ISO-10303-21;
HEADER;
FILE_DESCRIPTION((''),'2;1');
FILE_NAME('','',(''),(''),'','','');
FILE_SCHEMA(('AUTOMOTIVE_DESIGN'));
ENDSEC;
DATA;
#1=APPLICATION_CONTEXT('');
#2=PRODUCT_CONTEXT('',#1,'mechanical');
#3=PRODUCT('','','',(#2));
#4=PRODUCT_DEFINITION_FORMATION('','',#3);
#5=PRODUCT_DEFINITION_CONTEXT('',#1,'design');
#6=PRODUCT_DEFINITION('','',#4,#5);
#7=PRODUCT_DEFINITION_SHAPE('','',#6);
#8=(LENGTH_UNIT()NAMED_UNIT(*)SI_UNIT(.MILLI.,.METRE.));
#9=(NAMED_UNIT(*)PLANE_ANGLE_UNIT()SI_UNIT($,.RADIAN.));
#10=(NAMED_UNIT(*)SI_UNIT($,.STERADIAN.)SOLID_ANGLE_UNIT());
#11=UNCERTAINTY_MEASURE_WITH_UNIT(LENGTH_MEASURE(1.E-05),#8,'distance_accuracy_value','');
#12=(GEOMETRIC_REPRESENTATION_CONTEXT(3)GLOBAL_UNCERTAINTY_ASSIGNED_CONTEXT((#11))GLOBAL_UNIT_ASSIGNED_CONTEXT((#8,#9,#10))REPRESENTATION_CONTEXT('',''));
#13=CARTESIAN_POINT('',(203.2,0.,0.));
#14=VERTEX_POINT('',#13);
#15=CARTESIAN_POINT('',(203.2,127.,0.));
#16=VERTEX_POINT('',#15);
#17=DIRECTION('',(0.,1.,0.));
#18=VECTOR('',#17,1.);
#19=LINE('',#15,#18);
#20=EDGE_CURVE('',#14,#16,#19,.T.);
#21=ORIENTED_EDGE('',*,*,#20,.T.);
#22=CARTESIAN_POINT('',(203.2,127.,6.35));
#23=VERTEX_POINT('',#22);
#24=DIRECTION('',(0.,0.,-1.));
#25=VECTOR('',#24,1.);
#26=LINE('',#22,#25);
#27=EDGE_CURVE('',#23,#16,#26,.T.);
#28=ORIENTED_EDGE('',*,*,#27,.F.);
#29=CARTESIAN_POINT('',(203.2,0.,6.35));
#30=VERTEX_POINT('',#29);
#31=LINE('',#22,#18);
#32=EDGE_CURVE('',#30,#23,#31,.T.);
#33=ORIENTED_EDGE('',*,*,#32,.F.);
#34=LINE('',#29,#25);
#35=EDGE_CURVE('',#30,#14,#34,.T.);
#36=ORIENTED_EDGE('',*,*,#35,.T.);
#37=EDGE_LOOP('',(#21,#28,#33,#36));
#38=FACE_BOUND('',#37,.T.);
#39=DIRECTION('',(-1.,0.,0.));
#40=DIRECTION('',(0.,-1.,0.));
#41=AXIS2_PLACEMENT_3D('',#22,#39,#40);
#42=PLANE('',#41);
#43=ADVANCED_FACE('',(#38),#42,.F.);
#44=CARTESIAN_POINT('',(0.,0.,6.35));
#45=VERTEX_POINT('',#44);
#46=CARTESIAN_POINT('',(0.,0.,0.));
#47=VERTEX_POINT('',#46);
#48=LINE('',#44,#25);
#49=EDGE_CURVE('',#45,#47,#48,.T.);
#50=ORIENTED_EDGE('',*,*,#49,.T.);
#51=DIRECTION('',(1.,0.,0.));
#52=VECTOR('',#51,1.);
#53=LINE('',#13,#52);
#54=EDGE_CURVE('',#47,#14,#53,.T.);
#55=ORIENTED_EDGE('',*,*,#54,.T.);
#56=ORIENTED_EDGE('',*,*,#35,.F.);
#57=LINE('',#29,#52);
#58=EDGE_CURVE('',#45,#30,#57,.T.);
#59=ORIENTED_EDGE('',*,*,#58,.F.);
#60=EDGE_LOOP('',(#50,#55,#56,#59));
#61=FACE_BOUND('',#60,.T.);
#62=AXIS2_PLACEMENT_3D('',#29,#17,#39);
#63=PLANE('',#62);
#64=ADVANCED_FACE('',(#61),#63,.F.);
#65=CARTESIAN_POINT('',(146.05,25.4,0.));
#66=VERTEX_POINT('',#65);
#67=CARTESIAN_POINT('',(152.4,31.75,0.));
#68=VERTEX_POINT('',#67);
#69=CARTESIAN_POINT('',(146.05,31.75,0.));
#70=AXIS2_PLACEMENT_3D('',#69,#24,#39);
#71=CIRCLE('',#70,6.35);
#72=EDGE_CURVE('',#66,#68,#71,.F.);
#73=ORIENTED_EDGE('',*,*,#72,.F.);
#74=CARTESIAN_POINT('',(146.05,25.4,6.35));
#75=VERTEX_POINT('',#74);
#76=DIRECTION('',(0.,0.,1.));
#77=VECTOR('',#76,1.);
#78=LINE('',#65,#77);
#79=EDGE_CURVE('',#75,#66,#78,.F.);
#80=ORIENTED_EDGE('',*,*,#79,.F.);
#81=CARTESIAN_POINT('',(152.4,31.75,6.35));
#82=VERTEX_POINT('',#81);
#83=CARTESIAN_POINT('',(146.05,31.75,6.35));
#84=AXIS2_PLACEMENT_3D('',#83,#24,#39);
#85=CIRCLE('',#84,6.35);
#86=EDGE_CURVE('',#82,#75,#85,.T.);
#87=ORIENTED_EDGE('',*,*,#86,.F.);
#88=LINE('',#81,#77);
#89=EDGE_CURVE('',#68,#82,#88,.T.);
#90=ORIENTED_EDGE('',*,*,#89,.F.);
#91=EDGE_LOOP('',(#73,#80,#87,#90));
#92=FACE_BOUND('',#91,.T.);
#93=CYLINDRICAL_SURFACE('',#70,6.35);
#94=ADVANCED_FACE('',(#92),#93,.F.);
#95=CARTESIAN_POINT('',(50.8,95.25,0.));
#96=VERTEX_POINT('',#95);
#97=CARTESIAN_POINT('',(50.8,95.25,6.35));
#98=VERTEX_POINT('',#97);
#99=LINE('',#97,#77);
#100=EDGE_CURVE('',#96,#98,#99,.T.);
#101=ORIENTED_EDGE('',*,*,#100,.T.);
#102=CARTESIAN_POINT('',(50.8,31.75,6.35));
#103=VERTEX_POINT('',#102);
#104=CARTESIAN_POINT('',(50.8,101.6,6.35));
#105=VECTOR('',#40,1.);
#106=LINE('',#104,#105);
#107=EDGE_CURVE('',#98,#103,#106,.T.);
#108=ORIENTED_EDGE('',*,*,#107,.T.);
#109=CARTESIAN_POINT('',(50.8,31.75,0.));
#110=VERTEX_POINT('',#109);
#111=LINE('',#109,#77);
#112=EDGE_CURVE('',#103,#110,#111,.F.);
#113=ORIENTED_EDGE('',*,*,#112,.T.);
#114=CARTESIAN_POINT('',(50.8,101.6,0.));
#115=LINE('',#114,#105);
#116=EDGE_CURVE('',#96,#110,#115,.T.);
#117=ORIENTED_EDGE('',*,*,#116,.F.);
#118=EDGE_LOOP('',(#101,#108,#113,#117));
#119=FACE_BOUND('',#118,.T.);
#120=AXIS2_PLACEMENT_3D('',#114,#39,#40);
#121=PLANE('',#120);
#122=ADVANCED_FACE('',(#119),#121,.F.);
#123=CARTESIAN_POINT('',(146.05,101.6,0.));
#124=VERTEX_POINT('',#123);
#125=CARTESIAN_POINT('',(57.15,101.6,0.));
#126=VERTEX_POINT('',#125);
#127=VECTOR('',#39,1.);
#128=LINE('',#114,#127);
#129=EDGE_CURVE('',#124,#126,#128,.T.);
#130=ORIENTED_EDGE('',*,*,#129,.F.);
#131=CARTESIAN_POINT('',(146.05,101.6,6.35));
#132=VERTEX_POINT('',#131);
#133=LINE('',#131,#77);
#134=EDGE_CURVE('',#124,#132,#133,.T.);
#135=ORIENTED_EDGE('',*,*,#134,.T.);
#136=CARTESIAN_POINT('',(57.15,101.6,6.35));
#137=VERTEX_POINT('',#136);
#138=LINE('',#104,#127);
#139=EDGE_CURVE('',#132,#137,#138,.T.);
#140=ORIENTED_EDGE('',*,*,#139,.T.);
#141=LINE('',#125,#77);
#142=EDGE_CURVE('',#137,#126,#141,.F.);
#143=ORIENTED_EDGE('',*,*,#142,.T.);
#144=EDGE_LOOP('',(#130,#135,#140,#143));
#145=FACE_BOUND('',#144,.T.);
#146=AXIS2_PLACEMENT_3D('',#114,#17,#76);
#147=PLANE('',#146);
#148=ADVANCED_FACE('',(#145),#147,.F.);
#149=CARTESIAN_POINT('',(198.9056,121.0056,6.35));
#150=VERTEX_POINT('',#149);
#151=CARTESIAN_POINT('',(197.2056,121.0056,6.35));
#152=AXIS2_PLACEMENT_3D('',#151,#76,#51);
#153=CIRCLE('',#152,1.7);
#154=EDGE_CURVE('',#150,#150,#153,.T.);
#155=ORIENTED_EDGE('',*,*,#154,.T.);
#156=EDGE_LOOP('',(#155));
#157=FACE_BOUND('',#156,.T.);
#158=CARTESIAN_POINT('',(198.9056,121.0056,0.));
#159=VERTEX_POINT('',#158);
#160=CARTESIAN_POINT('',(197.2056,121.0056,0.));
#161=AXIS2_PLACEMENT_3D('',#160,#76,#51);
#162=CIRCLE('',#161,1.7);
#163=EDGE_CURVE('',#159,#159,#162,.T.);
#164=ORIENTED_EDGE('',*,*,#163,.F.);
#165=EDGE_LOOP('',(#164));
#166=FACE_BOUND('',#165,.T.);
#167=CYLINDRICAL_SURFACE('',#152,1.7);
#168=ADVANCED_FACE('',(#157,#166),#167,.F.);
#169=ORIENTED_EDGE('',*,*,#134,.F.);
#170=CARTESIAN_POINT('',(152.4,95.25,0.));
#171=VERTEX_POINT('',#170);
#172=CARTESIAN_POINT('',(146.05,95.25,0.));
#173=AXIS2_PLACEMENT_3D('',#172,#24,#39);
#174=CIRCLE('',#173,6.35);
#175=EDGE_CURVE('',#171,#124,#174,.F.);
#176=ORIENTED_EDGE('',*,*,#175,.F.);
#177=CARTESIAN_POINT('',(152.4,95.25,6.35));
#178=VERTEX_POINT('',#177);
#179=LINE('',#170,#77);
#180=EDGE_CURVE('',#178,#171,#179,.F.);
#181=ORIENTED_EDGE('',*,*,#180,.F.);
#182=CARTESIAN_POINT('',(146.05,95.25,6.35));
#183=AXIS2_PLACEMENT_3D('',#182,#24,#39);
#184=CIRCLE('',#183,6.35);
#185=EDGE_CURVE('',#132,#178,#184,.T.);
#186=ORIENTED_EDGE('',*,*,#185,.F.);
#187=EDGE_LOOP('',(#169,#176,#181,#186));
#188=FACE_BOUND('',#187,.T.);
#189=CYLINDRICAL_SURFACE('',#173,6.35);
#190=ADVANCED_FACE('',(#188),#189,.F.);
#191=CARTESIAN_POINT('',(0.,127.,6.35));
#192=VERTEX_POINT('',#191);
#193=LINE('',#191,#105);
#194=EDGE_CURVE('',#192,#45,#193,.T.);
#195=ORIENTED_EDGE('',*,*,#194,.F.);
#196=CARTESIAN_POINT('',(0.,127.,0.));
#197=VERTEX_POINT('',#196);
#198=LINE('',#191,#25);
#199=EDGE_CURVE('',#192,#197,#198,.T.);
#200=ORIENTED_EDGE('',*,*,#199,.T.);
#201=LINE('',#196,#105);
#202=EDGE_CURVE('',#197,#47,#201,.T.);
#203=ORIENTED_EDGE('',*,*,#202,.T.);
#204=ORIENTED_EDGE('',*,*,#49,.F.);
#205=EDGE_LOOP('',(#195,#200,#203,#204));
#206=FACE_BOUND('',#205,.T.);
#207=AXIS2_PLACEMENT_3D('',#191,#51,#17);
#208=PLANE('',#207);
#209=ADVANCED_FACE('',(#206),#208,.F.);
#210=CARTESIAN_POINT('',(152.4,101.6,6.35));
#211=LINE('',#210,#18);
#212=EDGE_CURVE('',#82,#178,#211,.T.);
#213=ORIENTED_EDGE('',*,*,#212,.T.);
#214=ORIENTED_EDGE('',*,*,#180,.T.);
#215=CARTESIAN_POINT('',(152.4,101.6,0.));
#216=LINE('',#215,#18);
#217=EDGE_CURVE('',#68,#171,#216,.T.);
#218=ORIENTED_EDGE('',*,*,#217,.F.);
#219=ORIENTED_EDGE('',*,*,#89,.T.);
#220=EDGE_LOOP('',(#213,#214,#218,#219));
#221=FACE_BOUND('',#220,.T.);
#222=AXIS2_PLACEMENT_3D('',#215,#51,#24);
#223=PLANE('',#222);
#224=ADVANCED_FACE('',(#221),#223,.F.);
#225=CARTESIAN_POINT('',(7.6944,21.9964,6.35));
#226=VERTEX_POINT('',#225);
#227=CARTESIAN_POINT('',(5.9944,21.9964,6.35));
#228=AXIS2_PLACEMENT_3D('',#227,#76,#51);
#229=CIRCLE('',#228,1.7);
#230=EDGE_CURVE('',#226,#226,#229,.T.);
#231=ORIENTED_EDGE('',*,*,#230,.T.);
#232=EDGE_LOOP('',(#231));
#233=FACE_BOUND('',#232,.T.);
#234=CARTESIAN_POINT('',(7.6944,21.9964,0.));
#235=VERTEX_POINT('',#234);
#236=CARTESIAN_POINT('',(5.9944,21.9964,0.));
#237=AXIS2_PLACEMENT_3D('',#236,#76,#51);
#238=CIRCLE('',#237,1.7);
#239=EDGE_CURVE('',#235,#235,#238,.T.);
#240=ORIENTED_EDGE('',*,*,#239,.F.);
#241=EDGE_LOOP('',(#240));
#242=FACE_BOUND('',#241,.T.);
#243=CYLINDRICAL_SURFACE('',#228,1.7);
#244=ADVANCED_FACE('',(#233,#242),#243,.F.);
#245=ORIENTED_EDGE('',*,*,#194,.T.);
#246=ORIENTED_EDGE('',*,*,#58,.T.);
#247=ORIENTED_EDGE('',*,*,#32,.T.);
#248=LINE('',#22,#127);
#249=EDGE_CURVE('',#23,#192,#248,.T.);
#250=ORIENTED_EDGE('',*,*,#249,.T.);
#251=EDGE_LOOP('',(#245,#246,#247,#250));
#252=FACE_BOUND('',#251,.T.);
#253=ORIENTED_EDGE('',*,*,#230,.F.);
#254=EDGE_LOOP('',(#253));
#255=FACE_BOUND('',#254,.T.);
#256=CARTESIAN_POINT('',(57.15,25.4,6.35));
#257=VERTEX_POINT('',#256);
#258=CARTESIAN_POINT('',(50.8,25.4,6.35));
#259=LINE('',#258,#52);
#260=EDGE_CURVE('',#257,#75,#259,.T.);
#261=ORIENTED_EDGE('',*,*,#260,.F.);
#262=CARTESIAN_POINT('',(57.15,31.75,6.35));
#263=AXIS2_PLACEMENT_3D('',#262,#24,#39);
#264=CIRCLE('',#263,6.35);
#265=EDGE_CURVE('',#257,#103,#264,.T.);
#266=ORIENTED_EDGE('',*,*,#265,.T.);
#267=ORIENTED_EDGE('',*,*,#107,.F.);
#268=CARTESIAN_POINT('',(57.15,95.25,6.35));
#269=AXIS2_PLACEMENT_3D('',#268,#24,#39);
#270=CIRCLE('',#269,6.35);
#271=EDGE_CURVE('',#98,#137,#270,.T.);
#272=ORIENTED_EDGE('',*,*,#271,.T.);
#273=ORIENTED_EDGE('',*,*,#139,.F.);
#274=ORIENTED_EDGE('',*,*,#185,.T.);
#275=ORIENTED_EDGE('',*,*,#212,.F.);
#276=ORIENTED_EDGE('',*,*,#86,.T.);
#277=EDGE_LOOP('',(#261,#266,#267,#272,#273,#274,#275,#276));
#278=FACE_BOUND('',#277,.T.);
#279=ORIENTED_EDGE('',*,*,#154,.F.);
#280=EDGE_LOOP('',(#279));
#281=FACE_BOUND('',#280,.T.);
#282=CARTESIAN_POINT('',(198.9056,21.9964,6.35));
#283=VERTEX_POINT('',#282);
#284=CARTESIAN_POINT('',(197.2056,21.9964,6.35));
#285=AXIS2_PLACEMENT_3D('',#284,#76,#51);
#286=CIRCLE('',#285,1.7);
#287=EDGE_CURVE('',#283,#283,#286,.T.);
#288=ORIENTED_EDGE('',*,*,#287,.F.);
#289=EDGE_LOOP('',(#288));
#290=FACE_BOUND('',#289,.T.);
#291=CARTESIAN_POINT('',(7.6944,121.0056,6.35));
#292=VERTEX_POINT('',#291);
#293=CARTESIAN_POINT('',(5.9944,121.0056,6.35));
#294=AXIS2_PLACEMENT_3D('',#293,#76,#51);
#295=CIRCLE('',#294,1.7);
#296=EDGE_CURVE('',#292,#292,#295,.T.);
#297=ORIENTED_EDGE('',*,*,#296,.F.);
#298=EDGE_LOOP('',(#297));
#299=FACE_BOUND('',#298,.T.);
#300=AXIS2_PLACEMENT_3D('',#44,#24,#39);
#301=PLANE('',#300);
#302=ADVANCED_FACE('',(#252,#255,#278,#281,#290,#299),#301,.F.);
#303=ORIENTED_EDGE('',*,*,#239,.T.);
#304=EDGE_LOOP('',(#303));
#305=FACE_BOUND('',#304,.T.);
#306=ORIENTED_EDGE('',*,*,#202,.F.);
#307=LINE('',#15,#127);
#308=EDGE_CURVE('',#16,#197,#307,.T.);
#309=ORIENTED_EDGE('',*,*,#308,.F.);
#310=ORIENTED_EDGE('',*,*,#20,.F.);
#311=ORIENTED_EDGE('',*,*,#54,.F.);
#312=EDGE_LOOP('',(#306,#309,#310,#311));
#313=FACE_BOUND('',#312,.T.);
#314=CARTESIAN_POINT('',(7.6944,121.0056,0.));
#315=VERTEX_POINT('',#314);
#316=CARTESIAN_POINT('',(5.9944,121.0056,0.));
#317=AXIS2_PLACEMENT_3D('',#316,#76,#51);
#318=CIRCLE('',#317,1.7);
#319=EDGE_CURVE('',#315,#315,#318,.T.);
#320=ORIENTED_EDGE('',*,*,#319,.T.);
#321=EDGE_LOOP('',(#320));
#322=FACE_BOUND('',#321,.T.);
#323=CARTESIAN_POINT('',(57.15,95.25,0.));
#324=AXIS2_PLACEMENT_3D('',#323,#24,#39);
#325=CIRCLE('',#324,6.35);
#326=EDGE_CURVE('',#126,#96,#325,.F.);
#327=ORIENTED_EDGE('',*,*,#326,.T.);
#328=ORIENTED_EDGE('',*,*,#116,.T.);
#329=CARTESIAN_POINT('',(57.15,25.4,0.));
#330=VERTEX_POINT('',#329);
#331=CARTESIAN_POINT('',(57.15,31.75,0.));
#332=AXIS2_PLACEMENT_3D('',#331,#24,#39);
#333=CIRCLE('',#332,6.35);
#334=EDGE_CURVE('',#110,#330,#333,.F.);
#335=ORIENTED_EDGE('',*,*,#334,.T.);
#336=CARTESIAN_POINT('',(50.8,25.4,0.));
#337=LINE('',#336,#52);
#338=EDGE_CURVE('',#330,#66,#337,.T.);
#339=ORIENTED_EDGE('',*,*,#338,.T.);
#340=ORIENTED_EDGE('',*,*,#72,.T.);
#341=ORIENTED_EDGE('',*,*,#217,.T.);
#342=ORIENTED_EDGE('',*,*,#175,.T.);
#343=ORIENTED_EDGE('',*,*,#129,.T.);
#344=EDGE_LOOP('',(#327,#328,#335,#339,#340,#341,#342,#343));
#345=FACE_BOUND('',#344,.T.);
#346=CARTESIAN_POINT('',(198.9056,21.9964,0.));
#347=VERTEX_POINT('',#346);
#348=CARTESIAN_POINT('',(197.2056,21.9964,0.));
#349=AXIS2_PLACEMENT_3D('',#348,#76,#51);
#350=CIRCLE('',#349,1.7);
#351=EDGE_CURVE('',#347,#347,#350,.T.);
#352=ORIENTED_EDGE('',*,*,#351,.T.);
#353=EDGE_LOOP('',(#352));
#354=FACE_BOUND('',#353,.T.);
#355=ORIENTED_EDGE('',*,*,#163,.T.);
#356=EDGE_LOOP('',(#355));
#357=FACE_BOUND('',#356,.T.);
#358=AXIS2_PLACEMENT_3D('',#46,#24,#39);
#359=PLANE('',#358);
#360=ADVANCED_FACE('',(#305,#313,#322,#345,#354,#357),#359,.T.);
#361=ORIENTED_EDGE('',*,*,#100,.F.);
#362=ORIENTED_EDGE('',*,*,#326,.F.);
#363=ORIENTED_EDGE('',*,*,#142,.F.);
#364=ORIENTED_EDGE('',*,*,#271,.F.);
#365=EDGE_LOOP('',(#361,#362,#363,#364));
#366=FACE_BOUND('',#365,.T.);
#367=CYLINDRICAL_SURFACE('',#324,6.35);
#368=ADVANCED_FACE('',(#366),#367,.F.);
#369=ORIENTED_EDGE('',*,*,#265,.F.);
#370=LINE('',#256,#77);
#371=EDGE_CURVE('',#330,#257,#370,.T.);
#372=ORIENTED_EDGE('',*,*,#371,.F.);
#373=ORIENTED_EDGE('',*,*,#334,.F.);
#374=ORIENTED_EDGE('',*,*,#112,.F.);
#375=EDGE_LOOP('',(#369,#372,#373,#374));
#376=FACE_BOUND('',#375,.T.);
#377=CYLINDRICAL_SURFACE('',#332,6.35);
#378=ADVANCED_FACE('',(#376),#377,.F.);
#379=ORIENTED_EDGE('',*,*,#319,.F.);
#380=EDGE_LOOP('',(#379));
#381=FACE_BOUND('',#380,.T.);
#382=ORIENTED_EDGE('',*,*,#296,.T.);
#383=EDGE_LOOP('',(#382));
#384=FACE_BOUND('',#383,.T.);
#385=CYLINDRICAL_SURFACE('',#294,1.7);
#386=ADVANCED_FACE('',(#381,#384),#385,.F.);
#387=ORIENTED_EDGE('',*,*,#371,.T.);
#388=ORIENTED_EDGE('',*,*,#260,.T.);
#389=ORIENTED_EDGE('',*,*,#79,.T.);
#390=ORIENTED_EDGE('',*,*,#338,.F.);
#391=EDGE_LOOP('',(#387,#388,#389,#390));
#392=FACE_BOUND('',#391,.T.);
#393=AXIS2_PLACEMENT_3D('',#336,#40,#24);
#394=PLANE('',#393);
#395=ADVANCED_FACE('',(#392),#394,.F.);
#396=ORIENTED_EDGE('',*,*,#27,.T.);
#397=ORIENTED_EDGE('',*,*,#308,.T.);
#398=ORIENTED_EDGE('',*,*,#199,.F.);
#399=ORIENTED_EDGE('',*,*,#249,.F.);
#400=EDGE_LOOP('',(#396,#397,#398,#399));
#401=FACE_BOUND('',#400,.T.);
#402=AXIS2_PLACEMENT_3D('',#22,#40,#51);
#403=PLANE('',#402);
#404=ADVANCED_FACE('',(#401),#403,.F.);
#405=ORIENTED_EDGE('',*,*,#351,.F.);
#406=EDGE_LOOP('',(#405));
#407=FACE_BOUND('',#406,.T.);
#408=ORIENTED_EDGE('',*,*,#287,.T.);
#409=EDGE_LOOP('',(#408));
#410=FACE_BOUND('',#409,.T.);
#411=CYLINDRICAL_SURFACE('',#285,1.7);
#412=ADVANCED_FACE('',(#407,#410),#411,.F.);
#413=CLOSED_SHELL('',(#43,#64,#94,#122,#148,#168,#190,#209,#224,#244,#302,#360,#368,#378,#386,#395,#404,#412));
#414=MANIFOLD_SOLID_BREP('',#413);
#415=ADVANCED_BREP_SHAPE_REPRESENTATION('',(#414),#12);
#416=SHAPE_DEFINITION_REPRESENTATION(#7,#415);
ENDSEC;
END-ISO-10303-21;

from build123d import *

# Parameters (mm, degrees)
SKETCH1_W            = 203.2
SKETCH1_H            = 127
BOSS_EXTRUDE1_DEPTH  = 6.35
M3_CLEARANCE_HOLE1_D = 3.4
SKETCH6_W            = 101.6
SKETCH6_H            = 76.2
CUT_EXTRUDE3_DEPTH   = 240.70724332
FILLET1_R            = 6.35


with BuildPart() as part:
    # Sketch1 → Boss-Extrude1 (new body)
    with BuildSketch(Plane.XY):
        with Locations((101.6, 63.5)):
            Rectangle(SKETCH1_W, SKETCH1_H)
    extrude(amount=BOSS_EXTRUDE1_DEPTH)

    # M3 Clearance Hole1 (through all)
    with Locations(Plane.XY.offset(6.35)):
        with Locations((5.9944, 121.0056), (5.9944, 21.9964), (197.2056, 21.9964), (197.2056, 121.0056)):
            Hole(M3_CLEARANCE_HOLE1_D / 2)

    # Sketch6 → Cut-Extrude3 (cut, through all)
    with BuildSketch(Plane.XY.offset(6.35)):
        with Locations((101.6, 63.5)):
            Rectangle(SKETCH6_W, SKETCH6_H)
    extrude(amount=-CUT_EXTRUDE3_DEPTH, mode=Mode.SUBTRACT)

    # Fillet1
    fillet1_edges = [part.edges().sort_by_distance(p)[0] for p in [
        (152.4, 101.6, 3.175),
        (152.4, 25.4, 3.175),
        (50.8, 25.4, 3.175),
        (50.8, 101.6, 3.175),
    ]]
    fillet(fillet1_edges, radius=FILLET1_R)


solid = part.part
